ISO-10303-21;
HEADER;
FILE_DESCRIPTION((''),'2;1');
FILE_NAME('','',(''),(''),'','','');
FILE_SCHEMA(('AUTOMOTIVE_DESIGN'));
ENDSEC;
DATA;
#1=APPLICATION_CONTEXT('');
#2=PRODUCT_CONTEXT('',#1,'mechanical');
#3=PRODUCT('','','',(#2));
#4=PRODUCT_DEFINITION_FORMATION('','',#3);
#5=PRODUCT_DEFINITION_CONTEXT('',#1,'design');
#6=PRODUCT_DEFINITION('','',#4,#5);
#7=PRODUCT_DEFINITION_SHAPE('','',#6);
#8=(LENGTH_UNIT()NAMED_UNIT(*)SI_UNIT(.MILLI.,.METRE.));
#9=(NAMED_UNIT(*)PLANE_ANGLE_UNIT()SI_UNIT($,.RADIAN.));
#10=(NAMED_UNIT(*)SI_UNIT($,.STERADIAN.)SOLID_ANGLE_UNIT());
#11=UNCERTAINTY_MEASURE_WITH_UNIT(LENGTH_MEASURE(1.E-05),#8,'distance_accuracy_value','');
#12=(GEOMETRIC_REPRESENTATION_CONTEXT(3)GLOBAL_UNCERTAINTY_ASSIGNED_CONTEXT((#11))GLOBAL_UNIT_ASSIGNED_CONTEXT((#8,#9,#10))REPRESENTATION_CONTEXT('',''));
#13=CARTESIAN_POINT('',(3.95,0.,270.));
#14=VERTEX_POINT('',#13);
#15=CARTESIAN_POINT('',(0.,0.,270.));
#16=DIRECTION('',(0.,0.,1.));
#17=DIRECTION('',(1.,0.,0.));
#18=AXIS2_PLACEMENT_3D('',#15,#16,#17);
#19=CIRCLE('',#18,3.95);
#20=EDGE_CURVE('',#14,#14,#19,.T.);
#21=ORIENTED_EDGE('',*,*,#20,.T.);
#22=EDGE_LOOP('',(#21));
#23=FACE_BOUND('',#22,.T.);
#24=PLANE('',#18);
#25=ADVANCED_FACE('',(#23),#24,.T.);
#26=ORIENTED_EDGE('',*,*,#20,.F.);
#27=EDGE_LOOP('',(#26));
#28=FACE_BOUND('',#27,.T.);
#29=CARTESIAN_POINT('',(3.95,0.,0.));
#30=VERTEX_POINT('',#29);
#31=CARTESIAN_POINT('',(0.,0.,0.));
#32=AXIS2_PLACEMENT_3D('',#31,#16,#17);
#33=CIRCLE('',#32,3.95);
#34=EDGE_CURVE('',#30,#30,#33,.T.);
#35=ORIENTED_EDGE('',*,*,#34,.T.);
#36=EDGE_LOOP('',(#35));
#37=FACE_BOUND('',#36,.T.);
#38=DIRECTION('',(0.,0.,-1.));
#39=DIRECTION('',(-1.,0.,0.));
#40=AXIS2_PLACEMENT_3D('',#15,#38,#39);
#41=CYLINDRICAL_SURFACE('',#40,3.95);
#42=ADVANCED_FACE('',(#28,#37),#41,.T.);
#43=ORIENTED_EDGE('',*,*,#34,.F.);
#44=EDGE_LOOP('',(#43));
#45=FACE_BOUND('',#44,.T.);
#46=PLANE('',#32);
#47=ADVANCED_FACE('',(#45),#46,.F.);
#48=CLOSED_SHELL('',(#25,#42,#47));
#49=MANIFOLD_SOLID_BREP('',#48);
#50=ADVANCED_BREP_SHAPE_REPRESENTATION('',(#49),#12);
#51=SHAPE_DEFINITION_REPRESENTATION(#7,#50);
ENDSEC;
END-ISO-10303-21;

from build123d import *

# Parameters (mm, degrees)
SKETCH1_R           = 3.95
BOSS_EXTRUDE1_DEPTH = 270


with BuildPart() as part:
    # Sketch1 → Boss-Extrude1 (new body)
    with BuildSketch(Plane.XY):
        Circle(SKETCH1_R)
    extrude(amount=BOSS_EXTRUDE1_DEPTH)


solid = part.part
